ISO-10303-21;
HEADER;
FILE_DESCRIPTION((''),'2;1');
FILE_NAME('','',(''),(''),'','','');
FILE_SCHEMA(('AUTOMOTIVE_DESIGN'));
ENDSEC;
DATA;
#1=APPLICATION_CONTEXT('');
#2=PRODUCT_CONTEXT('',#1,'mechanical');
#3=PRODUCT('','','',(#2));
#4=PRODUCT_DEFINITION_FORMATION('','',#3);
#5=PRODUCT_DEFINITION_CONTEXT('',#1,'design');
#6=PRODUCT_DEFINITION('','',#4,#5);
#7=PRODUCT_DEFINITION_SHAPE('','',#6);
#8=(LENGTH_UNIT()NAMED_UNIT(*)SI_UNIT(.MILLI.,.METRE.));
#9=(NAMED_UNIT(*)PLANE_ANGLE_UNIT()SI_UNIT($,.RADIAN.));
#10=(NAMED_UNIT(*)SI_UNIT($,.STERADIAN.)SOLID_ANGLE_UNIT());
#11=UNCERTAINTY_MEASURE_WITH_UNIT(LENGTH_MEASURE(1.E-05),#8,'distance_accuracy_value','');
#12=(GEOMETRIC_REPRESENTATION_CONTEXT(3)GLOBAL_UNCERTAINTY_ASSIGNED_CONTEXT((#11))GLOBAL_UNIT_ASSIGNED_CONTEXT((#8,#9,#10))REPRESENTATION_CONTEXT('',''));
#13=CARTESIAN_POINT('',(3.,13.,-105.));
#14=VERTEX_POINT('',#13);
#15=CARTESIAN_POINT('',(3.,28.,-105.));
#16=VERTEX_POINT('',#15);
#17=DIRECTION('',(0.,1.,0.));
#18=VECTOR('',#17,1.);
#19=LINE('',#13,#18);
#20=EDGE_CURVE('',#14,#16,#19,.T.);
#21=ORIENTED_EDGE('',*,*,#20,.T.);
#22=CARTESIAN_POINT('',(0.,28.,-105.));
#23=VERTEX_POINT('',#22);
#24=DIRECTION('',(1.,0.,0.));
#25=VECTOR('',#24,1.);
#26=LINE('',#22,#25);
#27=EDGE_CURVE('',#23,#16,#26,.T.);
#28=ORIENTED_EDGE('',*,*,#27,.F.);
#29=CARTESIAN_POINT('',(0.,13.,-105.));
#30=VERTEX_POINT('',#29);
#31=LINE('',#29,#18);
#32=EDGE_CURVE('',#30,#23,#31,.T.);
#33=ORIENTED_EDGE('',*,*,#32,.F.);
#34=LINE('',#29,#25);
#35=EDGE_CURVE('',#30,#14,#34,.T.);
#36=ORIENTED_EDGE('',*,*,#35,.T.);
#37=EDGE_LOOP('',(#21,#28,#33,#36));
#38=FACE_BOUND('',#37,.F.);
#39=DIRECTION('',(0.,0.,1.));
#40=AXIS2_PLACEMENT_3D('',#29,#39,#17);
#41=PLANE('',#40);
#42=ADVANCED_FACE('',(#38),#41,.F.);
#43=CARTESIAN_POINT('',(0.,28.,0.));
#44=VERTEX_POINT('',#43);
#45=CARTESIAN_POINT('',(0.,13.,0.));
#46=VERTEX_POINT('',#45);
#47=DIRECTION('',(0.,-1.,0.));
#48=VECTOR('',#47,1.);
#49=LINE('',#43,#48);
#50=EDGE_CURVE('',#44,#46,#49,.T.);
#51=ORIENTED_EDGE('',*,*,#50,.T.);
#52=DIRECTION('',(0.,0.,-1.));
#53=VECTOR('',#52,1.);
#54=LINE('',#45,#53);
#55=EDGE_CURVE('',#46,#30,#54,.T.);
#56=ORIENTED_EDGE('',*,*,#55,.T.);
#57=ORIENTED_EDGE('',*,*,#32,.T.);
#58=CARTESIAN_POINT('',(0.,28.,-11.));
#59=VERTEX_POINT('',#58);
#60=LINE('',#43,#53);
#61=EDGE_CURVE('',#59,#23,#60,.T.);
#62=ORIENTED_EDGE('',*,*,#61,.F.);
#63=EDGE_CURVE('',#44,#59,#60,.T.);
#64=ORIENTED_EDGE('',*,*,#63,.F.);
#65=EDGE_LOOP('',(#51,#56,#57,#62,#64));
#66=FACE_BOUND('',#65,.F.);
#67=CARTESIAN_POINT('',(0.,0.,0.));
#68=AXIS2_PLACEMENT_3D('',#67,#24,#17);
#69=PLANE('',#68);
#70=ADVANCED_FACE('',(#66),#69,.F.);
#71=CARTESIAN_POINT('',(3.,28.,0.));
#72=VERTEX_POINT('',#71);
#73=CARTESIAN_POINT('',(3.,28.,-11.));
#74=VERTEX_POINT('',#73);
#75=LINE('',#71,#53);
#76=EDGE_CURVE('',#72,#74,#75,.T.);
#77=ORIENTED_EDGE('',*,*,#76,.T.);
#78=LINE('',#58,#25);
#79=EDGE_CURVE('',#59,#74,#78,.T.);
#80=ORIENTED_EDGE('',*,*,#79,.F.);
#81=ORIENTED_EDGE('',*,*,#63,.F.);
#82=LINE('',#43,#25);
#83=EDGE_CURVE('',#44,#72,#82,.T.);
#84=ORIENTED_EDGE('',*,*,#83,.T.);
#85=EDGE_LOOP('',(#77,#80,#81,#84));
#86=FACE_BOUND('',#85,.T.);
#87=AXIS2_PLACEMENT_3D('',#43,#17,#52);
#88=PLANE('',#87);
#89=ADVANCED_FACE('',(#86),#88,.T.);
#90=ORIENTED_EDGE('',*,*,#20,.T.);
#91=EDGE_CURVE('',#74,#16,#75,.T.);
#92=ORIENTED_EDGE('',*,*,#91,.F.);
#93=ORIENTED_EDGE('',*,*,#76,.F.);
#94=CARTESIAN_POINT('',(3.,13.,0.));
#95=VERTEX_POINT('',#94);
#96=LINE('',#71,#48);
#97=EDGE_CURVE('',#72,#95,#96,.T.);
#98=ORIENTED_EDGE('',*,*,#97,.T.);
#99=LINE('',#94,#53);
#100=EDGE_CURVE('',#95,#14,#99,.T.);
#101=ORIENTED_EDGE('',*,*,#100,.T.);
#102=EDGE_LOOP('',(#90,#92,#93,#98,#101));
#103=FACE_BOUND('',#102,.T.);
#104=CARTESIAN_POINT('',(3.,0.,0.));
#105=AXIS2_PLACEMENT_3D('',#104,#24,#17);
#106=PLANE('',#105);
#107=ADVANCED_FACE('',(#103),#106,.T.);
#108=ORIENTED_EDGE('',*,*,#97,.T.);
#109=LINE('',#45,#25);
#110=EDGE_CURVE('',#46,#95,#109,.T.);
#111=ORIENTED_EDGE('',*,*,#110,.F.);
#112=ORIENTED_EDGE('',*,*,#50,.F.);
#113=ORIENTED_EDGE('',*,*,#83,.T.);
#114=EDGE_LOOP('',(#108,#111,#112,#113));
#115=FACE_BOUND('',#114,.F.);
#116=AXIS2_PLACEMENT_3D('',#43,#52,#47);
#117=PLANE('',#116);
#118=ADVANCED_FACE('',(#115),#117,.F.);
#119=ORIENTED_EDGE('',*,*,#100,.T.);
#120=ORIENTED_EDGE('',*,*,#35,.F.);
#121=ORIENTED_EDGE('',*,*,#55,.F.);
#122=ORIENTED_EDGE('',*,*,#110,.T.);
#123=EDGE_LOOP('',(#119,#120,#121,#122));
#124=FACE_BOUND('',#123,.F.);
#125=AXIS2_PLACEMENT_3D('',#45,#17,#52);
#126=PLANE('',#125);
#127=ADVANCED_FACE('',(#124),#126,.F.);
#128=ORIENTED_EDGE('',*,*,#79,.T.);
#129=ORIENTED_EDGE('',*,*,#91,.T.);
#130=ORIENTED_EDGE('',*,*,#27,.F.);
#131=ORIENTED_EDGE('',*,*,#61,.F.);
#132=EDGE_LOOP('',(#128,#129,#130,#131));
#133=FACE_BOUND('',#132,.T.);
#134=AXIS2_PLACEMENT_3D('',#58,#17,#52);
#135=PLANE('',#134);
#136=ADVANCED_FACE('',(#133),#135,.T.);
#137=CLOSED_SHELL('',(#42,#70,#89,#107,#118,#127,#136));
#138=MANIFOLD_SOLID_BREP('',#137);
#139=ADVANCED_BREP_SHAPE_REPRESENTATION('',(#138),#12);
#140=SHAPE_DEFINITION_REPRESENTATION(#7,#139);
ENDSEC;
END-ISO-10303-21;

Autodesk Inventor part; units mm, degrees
ref_plane "YZ Plane" through (0, 0, 0) normal (1, 0, 0) x (0, 1, 0)
ref_plane "XZ Plane" through (0, 0, 0) normal (0, 1, 0) x (-1, 0, 0)
ref_plane "XY Plane" through (0, 0, 0) normal (0, 0, 1) x (1, 0, 0)
sketch "Sketch1" plane through (0, 0, 0) normal (1, 0, 0) x (0, 1, 0)
  line L0 (0, 0) -> (18, 0) construction
  line L1 (18, 0) -> (18, -390) construction
  line L2 (18, -390) -> (0, -390) construction
  line L3 (0, -390) -> (0, 0) construction
  line L4 (96, 0) -> (78, 0) construction
  line L5 (78, 0) -> (78, -210) construction
  line L6 (78, -210) -> (96, -210) construction
  line L7 (96, -210) -> (96, 0) construction
  line L8 (18, 0) -> (28, 0) construction
  line L9 (28, 0) -> (28, -210)
  line L10 (28, -210) -> (18, -210) construction
  line L11 (18, -210) -> (18, 0) construction
  circle A0 centre (53, -21.3494) radius 25 construction
  line L12 (28, 0) -> (13, 0)
  line L13 (13, 0) -> (13, -105)
  line L14 (13, -105) -> (28, -105)
  line L15 (28, 0) -> (35, 0)
  line L16 (35, 0) -> (35, -4)
  arc A1 (35, -4) -> (28, -11) centre (35, -11) ccw
  line L17 (28, -11) -> (28, -105)
  point P0 (20.5, -105)
  dimension "d6" = 50
  dimension "d0" = 18
  dimension "d1" = 210
  dimension "d2" = 18
  dimension "d3" = 60
  dimension "d4" = 390
  dimension "d5" = 10
  dimension "d7" = 5
  dimension "d11" = 7
  dimension "d12" = 4
  dimension "d13" = 7
extrude "Extrusion1" add sketch "Sketch1" along normal blind 3 contours L9 L14 L13 L12
properties part number "rail-210"
